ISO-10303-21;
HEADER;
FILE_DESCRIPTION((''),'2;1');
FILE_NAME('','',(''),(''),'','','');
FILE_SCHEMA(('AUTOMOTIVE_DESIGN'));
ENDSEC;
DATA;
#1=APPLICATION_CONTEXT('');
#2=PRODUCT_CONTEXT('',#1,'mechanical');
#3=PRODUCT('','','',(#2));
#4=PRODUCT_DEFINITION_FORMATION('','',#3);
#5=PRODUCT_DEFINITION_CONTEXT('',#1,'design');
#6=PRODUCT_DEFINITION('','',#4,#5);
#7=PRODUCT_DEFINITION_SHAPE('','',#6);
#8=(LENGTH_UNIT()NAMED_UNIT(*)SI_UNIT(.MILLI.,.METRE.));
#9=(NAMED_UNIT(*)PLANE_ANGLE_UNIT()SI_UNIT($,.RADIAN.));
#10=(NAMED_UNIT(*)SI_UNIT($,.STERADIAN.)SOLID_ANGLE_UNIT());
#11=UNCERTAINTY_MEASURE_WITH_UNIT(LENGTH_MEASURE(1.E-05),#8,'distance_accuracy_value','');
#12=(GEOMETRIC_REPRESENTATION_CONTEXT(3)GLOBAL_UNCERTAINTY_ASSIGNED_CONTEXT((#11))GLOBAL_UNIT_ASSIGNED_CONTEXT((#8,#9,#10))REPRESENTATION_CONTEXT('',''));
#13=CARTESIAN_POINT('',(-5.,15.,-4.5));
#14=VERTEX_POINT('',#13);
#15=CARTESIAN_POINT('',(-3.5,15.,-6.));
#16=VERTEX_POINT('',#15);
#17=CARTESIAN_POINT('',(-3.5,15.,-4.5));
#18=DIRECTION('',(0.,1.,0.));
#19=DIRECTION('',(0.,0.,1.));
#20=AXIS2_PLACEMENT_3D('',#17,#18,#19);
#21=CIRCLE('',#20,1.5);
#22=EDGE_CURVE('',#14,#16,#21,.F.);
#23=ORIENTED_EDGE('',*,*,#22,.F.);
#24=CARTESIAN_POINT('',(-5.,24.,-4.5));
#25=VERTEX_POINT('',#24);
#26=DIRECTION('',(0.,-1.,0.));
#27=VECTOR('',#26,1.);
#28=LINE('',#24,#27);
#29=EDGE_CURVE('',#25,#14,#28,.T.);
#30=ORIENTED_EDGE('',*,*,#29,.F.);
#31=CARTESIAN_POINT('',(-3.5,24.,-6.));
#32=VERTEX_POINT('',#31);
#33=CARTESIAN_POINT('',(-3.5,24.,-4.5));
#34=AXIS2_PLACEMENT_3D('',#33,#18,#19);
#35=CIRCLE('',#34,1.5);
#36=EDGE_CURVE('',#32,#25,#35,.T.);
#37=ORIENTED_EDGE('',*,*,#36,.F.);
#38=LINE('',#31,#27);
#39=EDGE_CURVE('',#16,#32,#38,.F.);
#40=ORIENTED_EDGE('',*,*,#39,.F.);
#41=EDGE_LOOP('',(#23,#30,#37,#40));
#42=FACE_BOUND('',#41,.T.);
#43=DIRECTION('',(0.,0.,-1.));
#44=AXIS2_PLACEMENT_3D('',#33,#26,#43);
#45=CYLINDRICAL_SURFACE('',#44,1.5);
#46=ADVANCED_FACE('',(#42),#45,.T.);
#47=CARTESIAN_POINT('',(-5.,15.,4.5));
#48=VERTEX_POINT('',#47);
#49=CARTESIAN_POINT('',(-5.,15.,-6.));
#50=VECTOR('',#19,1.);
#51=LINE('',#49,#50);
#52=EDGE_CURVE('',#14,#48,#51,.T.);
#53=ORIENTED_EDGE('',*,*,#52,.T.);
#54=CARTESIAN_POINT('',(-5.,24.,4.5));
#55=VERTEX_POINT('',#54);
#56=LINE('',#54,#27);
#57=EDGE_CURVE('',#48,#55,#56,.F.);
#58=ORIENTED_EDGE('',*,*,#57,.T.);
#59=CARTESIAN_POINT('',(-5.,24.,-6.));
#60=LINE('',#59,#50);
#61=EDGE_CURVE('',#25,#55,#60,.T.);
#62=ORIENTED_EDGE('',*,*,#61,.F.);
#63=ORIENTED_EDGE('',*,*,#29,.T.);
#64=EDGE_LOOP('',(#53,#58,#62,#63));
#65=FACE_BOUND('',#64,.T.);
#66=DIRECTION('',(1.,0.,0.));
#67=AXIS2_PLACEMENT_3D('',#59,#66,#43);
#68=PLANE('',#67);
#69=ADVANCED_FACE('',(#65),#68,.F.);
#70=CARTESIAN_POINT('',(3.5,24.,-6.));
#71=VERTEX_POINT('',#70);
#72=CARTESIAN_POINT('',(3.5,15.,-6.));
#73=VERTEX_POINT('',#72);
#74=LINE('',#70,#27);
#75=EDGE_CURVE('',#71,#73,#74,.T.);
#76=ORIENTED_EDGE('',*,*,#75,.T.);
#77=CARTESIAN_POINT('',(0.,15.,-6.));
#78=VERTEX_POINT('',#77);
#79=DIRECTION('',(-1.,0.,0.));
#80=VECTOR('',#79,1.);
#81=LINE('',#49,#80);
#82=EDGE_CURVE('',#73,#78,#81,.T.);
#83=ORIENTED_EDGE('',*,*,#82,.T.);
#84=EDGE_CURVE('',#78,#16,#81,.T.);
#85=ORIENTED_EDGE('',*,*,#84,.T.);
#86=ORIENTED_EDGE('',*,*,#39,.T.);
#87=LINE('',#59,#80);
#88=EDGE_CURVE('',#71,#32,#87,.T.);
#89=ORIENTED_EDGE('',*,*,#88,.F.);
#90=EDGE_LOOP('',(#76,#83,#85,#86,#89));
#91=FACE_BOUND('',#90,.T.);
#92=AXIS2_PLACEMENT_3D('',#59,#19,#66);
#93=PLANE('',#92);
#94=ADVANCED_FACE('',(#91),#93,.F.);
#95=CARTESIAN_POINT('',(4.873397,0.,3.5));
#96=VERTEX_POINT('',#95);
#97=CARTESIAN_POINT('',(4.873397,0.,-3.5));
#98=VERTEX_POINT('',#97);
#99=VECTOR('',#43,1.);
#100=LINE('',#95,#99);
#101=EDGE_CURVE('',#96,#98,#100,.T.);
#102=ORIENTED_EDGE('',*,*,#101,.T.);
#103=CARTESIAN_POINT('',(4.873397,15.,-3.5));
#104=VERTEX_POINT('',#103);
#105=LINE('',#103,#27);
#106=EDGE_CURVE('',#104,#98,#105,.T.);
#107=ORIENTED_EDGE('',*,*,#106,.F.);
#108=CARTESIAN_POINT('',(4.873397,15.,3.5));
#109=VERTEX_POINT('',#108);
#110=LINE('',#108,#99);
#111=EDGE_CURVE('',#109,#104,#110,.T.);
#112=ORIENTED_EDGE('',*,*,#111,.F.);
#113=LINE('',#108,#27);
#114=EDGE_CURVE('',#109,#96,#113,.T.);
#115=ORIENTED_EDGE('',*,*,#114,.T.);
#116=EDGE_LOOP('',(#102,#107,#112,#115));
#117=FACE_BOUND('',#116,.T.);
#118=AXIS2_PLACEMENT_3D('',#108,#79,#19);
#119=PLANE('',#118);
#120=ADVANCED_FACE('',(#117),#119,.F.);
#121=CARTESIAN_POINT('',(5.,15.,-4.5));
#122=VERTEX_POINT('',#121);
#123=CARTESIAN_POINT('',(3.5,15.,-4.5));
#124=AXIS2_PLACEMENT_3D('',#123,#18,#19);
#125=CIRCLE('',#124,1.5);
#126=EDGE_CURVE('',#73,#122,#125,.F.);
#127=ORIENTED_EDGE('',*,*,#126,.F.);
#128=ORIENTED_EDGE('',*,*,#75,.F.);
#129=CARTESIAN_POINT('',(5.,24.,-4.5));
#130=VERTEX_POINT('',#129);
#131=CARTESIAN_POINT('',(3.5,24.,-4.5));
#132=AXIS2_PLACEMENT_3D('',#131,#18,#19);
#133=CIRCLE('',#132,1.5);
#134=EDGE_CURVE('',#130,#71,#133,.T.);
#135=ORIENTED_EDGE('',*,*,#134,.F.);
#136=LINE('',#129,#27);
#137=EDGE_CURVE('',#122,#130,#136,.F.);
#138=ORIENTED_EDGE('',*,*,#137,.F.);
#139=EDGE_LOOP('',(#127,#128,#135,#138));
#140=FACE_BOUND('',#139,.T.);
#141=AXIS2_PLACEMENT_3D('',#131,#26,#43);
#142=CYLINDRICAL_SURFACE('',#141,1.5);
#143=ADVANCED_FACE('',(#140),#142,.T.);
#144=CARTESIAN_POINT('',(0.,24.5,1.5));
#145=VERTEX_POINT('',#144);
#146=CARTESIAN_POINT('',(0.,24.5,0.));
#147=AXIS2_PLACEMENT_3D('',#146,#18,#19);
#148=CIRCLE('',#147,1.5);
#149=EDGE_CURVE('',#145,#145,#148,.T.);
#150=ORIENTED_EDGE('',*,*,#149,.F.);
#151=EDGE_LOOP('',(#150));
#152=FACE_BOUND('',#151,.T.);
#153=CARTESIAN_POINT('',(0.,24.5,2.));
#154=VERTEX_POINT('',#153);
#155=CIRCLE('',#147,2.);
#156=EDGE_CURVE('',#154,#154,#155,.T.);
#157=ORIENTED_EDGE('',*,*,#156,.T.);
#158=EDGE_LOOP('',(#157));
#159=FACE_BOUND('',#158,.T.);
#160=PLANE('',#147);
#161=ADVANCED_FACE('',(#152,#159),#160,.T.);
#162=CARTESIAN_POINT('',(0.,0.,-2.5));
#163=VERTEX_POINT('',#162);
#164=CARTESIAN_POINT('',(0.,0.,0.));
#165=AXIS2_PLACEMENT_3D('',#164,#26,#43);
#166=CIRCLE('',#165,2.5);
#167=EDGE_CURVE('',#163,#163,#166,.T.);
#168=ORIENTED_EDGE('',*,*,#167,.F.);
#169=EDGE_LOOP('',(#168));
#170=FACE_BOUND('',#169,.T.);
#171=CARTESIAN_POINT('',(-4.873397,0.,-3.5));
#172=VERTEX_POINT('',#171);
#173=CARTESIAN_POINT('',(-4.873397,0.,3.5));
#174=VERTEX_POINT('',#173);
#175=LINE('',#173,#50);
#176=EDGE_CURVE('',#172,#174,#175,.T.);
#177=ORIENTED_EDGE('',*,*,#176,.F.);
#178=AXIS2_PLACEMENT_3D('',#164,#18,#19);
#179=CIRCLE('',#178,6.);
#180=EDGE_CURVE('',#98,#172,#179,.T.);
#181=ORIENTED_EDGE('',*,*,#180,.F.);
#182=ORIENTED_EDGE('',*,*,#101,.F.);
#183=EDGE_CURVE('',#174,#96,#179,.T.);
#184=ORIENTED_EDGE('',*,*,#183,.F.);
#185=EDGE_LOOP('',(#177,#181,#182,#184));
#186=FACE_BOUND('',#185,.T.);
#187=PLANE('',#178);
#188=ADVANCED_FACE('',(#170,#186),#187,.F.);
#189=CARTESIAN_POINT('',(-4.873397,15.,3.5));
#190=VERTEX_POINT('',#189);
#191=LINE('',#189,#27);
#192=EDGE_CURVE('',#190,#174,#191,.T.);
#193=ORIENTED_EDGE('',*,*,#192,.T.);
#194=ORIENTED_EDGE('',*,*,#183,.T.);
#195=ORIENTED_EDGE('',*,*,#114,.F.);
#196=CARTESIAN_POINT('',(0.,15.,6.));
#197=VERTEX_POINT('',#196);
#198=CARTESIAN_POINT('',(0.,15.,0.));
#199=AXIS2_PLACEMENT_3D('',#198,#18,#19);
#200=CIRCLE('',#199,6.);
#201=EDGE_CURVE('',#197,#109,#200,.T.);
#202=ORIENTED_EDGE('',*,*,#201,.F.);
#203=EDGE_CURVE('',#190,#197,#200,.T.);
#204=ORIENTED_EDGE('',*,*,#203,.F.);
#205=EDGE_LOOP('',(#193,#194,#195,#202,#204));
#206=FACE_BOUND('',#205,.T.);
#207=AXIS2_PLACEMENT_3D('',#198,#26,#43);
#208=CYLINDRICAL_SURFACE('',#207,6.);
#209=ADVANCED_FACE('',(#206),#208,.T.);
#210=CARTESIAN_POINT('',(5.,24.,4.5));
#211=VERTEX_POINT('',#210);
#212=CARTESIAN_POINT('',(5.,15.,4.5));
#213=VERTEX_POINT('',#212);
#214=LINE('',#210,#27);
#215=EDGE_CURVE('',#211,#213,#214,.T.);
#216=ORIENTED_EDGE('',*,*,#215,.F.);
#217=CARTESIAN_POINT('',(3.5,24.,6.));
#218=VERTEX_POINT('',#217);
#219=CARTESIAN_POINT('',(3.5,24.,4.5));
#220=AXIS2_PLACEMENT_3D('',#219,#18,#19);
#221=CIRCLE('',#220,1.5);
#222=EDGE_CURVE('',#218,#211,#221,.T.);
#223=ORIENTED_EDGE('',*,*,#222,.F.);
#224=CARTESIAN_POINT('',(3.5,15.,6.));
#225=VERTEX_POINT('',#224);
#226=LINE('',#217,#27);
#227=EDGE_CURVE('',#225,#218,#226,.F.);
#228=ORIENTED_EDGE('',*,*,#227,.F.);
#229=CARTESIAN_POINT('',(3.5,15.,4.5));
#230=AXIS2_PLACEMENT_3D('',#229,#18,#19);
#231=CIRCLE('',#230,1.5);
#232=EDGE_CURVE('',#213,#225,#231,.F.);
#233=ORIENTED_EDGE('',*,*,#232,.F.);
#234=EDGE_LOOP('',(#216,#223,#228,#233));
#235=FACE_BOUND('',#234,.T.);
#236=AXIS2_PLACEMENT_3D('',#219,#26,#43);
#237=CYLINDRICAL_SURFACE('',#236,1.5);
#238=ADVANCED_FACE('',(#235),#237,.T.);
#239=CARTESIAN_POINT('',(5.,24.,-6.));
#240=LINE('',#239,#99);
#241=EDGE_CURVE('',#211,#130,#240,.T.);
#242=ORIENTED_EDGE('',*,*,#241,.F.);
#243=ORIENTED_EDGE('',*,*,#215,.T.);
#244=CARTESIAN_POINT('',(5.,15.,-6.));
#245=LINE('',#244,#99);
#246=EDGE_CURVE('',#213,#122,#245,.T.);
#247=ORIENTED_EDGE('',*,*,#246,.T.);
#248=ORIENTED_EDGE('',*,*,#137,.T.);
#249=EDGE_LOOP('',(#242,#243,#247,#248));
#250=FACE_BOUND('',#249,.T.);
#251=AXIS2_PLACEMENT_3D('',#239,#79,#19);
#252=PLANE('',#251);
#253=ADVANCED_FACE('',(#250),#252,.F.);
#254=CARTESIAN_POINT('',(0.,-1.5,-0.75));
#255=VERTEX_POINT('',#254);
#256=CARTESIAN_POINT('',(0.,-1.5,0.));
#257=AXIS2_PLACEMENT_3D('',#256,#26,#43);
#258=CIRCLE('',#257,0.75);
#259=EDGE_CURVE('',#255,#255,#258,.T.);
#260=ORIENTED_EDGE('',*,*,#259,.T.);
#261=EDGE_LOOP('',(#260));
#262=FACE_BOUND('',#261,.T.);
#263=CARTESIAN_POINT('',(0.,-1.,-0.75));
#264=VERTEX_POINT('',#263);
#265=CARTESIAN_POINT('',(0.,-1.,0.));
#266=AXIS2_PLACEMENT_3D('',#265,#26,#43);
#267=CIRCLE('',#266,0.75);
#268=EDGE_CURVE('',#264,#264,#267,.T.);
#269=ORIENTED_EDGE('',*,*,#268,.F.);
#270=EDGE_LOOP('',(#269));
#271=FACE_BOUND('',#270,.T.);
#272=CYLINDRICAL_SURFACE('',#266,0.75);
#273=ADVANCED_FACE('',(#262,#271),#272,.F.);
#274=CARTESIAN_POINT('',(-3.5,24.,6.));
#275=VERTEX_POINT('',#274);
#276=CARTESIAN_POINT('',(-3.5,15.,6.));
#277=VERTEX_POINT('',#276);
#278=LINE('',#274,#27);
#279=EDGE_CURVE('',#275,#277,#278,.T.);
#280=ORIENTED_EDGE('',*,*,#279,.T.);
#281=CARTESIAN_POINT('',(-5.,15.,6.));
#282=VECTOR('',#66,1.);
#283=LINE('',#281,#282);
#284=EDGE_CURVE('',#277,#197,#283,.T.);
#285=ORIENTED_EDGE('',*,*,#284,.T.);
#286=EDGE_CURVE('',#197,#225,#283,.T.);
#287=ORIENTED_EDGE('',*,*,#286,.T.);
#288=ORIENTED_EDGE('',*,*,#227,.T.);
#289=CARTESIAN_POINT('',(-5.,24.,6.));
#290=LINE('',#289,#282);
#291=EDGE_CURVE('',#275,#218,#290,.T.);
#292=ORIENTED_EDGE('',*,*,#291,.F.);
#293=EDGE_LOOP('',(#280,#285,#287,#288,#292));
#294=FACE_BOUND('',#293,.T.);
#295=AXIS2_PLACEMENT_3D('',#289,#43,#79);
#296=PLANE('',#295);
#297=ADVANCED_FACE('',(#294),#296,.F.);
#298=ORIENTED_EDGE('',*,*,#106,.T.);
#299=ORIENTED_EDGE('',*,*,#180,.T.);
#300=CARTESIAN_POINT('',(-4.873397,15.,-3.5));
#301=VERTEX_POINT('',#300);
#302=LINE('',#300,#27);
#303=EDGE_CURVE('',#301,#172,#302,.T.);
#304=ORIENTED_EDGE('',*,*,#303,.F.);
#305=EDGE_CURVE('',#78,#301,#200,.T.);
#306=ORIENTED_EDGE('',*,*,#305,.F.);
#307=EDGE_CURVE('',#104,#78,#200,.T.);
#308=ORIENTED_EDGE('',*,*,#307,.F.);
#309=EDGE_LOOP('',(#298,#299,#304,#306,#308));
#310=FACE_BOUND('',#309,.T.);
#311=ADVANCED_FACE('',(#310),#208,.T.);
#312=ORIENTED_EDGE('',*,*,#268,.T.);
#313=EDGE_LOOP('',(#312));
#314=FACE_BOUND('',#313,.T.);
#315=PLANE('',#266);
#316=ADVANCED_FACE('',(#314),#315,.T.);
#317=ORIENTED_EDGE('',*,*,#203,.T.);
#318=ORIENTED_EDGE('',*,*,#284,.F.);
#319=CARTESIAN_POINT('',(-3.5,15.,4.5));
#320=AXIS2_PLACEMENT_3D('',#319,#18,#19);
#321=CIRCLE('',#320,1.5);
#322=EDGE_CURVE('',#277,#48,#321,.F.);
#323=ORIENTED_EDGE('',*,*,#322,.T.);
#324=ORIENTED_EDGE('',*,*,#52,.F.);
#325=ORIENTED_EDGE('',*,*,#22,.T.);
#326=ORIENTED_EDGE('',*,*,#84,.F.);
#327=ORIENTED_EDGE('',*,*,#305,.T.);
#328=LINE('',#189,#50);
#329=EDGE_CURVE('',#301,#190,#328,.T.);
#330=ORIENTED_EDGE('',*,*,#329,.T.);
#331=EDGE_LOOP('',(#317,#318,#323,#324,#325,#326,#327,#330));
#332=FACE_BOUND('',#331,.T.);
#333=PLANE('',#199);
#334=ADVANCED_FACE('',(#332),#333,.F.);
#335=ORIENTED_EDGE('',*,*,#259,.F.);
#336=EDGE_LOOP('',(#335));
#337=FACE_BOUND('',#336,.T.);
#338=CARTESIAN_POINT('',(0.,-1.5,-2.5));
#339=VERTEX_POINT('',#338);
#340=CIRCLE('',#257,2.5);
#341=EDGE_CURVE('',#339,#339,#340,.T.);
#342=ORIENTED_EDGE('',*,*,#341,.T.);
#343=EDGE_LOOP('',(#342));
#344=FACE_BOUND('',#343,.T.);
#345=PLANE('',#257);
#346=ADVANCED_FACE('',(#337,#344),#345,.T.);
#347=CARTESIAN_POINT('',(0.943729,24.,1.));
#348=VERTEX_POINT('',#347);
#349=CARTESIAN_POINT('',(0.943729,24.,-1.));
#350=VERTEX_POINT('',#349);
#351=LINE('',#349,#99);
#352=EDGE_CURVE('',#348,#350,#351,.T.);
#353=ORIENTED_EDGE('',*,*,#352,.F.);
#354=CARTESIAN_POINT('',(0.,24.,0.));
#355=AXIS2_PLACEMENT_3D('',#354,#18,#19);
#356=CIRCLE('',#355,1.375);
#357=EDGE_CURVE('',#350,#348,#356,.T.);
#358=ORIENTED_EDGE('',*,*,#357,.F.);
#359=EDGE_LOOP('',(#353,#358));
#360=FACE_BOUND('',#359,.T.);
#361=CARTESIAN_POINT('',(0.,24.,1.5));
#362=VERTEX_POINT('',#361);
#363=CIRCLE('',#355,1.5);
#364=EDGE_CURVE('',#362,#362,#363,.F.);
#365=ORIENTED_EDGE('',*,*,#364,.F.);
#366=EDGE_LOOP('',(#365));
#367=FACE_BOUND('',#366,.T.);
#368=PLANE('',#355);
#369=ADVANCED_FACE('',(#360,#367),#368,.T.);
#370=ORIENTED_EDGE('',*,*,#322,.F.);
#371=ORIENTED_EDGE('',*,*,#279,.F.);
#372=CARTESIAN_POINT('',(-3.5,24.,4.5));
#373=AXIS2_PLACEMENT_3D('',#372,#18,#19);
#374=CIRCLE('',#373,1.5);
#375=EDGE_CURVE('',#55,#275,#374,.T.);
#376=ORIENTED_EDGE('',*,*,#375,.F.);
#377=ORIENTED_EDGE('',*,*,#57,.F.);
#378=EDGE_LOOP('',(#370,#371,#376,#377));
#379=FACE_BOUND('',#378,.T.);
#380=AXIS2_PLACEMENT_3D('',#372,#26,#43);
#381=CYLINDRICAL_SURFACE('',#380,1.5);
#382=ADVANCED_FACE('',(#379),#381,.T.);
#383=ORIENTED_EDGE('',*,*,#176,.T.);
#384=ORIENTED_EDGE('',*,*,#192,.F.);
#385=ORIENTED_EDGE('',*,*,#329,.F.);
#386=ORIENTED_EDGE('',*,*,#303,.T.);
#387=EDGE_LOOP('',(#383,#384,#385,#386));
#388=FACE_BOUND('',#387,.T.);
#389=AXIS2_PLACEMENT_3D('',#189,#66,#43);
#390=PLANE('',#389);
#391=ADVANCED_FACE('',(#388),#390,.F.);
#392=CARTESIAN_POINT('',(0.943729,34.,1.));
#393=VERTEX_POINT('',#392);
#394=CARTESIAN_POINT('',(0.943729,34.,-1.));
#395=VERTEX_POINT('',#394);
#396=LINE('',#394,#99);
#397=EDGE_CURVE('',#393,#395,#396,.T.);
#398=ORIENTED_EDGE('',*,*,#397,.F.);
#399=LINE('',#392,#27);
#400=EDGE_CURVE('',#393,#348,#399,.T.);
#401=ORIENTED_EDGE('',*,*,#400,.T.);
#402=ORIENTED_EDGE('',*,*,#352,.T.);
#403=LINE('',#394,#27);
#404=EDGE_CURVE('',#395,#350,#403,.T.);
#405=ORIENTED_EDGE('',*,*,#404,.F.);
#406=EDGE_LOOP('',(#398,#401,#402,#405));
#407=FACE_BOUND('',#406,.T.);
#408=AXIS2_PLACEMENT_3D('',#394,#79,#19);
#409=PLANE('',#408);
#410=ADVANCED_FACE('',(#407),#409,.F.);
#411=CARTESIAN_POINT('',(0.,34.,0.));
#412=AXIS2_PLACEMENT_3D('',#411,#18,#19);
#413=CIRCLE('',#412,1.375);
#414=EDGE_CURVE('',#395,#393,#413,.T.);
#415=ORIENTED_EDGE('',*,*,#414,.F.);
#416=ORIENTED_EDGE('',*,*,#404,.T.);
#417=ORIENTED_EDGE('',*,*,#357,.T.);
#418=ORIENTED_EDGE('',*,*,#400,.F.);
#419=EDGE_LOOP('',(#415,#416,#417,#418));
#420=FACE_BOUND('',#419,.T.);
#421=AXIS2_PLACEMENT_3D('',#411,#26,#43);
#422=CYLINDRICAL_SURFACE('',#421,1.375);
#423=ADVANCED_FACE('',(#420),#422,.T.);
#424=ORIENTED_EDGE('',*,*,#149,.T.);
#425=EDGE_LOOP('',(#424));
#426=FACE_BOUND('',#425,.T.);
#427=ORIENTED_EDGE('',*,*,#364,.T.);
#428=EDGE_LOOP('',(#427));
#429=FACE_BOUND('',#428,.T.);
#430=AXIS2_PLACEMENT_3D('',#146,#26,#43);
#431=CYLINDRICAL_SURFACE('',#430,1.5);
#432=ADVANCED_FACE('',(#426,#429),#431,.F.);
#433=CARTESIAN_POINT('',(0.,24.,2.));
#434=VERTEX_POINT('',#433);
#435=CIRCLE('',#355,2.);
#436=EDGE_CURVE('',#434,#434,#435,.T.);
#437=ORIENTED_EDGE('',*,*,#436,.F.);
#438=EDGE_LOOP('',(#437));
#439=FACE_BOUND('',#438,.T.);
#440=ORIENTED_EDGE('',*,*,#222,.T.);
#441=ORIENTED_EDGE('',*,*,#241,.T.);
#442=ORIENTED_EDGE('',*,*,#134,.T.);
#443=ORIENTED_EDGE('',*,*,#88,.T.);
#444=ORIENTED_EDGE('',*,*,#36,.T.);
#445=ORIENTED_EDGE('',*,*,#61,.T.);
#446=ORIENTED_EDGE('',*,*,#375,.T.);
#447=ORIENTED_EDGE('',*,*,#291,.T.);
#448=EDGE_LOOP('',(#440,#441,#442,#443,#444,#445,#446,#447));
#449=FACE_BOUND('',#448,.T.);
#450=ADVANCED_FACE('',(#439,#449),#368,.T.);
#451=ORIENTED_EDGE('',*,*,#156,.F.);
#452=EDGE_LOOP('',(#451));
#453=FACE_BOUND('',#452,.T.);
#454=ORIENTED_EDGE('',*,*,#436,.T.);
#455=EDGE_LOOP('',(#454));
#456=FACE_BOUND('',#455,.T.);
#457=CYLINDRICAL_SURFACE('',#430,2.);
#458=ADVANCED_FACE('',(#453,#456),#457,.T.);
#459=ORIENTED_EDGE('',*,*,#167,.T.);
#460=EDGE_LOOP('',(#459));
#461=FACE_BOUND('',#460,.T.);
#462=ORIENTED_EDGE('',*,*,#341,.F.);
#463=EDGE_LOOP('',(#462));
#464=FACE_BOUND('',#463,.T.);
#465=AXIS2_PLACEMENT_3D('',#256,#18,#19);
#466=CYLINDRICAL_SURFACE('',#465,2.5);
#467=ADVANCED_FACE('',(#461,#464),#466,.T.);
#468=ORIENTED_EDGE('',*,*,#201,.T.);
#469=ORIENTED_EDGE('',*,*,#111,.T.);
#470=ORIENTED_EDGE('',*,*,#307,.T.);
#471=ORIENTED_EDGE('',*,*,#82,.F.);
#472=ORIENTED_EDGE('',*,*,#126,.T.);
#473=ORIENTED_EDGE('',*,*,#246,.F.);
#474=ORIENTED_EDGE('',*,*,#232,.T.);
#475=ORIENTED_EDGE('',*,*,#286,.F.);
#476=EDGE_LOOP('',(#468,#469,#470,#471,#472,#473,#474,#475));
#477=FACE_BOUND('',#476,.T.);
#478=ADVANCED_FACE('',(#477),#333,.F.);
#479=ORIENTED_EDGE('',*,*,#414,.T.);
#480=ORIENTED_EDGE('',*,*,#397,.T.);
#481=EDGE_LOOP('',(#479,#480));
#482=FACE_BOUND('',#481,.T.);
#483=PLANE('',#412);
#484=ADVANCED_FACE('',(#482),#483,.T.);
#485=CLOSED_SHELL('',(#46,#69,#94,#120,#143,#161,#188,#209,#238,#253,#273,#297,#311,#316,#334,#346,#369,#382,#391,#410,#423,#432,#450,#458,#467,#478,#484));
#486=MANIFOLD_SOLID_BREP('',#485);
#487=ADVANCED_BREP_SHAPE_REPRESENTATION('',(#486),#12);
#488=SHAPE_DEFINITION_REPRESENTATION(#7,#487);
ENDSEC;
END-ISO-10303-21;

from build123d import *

# Parameters (mm, degrees)
EXTRUDE_1_DEPTH     = 15
SKETCH_2_W          = 10
SKETCH_2_H          = 12
EXTRUDE_2_DEPTH     = 9
FILLET_1_R          = 1.5
SKETCH_3_R          = 2
SKETCH_3_R_2        = 1.5
EXTRUDE_3_DEPTH     = 0.5
EXTRUDE_4_DEPTH     = 10
SKETCH_5_R          = 2.5
EXTRUDE_5_DEPTH     = 1.5
SKETCH_6_R          = 0.75
CUT_EXTRUDE_1_DEPTH = 0.5


with BuildPart() as part:
    # 草图1 → 凸台-拉伸1 (new body)
    with BuildSketch(Plane(origin=(0, 0, 0), x_dir=(1, 0, 0), z_dir=(0, 1, 0))):
        with BuildLine():
            Line((4.873397172, -3.5), (4.873397172, 3.5))
            ThreePointArc((4.873397172, 3.5), (0, 6), (-4.873397172, 3.5))
            Line((-4.873397172, 3.5), (-4.873397172, -3.5))
            ThreePointArc((-4.873397172, -3.5), (0, -6), (4.873397172, -3.5))
        make_face()
    extrude(amount=EXTRUDE_1_DEPTH)

    # 草图2 → 凸台-拉伸2 (add)
    with BuildSketch(Plane(origin=(0, 15, 0), x_dir=(1, 0, 0), z_dir=(0, 1, 0))):
        Rectangle(SKETCH_2_W, SKETCH_2_H)
    extrude(amount=EXTRUDE_2_DEPTH)

    # 圆角1
    fillet_1_edges = [part.edges().sort_by_distance(p)[0] for p in [
        (-5, 19.5, -6),
        (-5, 19.5, 6),
        (5, 19.5, 6),
        (5, 19.5, -6),
    ]]
    fillet(fillet_1_edges, radius=FILLET_1_R)

    # 草图3 → 凸台-拉伸3 (add)
    with BuildSketch(Plane(origin=(0, 24, 0), x_dir=(1, 0, 0), z_dir=(0, 1, 0))):
        with Locations(Location((0, 0, 0), (0, 0, 270))):
            Circle(SKETCH_3_R)
        with Locations(Location((0, 0, 0), (0, 0, 270))):
            Circle(SKETCH_3_R_2, mode=Mode.SUBTRACT)
    extrude(amount=EXTRUDE_3_DEPTH)

    # 草图4 → 凸台-拉伸4 (add)
    with BuildSketch(Plane(origin=(0, 24, 0), x_dir=(1, 0, 0), z_dir=(0, 1, 0))):
        with BuildLine():
            Line((0.943729304, 1), (0.943729304, -1))
            ThreePointArc((0.943729304, -1), (-1.375, 0), (0.943729304, 1))
        make_face()
    extrude(amount=EXTRUDE_4_DEPTH)

    # 草图5 → 凸台-拉伸5 (add)
    with BuildSketch(Plane.XZ):
        with Locations(Location((0, 0, 0), (0, 0, 270))):
            Circle(SKETCH_5_R)
    extrude(amount=EXTRUDE_5_DEPTH)

    # 草图6 → 切除-拉伸1 (cut)
    with BuildSketch(Plane.XZ.offset(1.5)):
        with Locations(Location((0, 0, 0), (0, 0, 270))):
            Circle(SKETCH_6_R)
    extrude(amount=-CUT_EXTRUDE_1_DEPTH, mode=Mode.SUBTRACT)


solid = part.part
